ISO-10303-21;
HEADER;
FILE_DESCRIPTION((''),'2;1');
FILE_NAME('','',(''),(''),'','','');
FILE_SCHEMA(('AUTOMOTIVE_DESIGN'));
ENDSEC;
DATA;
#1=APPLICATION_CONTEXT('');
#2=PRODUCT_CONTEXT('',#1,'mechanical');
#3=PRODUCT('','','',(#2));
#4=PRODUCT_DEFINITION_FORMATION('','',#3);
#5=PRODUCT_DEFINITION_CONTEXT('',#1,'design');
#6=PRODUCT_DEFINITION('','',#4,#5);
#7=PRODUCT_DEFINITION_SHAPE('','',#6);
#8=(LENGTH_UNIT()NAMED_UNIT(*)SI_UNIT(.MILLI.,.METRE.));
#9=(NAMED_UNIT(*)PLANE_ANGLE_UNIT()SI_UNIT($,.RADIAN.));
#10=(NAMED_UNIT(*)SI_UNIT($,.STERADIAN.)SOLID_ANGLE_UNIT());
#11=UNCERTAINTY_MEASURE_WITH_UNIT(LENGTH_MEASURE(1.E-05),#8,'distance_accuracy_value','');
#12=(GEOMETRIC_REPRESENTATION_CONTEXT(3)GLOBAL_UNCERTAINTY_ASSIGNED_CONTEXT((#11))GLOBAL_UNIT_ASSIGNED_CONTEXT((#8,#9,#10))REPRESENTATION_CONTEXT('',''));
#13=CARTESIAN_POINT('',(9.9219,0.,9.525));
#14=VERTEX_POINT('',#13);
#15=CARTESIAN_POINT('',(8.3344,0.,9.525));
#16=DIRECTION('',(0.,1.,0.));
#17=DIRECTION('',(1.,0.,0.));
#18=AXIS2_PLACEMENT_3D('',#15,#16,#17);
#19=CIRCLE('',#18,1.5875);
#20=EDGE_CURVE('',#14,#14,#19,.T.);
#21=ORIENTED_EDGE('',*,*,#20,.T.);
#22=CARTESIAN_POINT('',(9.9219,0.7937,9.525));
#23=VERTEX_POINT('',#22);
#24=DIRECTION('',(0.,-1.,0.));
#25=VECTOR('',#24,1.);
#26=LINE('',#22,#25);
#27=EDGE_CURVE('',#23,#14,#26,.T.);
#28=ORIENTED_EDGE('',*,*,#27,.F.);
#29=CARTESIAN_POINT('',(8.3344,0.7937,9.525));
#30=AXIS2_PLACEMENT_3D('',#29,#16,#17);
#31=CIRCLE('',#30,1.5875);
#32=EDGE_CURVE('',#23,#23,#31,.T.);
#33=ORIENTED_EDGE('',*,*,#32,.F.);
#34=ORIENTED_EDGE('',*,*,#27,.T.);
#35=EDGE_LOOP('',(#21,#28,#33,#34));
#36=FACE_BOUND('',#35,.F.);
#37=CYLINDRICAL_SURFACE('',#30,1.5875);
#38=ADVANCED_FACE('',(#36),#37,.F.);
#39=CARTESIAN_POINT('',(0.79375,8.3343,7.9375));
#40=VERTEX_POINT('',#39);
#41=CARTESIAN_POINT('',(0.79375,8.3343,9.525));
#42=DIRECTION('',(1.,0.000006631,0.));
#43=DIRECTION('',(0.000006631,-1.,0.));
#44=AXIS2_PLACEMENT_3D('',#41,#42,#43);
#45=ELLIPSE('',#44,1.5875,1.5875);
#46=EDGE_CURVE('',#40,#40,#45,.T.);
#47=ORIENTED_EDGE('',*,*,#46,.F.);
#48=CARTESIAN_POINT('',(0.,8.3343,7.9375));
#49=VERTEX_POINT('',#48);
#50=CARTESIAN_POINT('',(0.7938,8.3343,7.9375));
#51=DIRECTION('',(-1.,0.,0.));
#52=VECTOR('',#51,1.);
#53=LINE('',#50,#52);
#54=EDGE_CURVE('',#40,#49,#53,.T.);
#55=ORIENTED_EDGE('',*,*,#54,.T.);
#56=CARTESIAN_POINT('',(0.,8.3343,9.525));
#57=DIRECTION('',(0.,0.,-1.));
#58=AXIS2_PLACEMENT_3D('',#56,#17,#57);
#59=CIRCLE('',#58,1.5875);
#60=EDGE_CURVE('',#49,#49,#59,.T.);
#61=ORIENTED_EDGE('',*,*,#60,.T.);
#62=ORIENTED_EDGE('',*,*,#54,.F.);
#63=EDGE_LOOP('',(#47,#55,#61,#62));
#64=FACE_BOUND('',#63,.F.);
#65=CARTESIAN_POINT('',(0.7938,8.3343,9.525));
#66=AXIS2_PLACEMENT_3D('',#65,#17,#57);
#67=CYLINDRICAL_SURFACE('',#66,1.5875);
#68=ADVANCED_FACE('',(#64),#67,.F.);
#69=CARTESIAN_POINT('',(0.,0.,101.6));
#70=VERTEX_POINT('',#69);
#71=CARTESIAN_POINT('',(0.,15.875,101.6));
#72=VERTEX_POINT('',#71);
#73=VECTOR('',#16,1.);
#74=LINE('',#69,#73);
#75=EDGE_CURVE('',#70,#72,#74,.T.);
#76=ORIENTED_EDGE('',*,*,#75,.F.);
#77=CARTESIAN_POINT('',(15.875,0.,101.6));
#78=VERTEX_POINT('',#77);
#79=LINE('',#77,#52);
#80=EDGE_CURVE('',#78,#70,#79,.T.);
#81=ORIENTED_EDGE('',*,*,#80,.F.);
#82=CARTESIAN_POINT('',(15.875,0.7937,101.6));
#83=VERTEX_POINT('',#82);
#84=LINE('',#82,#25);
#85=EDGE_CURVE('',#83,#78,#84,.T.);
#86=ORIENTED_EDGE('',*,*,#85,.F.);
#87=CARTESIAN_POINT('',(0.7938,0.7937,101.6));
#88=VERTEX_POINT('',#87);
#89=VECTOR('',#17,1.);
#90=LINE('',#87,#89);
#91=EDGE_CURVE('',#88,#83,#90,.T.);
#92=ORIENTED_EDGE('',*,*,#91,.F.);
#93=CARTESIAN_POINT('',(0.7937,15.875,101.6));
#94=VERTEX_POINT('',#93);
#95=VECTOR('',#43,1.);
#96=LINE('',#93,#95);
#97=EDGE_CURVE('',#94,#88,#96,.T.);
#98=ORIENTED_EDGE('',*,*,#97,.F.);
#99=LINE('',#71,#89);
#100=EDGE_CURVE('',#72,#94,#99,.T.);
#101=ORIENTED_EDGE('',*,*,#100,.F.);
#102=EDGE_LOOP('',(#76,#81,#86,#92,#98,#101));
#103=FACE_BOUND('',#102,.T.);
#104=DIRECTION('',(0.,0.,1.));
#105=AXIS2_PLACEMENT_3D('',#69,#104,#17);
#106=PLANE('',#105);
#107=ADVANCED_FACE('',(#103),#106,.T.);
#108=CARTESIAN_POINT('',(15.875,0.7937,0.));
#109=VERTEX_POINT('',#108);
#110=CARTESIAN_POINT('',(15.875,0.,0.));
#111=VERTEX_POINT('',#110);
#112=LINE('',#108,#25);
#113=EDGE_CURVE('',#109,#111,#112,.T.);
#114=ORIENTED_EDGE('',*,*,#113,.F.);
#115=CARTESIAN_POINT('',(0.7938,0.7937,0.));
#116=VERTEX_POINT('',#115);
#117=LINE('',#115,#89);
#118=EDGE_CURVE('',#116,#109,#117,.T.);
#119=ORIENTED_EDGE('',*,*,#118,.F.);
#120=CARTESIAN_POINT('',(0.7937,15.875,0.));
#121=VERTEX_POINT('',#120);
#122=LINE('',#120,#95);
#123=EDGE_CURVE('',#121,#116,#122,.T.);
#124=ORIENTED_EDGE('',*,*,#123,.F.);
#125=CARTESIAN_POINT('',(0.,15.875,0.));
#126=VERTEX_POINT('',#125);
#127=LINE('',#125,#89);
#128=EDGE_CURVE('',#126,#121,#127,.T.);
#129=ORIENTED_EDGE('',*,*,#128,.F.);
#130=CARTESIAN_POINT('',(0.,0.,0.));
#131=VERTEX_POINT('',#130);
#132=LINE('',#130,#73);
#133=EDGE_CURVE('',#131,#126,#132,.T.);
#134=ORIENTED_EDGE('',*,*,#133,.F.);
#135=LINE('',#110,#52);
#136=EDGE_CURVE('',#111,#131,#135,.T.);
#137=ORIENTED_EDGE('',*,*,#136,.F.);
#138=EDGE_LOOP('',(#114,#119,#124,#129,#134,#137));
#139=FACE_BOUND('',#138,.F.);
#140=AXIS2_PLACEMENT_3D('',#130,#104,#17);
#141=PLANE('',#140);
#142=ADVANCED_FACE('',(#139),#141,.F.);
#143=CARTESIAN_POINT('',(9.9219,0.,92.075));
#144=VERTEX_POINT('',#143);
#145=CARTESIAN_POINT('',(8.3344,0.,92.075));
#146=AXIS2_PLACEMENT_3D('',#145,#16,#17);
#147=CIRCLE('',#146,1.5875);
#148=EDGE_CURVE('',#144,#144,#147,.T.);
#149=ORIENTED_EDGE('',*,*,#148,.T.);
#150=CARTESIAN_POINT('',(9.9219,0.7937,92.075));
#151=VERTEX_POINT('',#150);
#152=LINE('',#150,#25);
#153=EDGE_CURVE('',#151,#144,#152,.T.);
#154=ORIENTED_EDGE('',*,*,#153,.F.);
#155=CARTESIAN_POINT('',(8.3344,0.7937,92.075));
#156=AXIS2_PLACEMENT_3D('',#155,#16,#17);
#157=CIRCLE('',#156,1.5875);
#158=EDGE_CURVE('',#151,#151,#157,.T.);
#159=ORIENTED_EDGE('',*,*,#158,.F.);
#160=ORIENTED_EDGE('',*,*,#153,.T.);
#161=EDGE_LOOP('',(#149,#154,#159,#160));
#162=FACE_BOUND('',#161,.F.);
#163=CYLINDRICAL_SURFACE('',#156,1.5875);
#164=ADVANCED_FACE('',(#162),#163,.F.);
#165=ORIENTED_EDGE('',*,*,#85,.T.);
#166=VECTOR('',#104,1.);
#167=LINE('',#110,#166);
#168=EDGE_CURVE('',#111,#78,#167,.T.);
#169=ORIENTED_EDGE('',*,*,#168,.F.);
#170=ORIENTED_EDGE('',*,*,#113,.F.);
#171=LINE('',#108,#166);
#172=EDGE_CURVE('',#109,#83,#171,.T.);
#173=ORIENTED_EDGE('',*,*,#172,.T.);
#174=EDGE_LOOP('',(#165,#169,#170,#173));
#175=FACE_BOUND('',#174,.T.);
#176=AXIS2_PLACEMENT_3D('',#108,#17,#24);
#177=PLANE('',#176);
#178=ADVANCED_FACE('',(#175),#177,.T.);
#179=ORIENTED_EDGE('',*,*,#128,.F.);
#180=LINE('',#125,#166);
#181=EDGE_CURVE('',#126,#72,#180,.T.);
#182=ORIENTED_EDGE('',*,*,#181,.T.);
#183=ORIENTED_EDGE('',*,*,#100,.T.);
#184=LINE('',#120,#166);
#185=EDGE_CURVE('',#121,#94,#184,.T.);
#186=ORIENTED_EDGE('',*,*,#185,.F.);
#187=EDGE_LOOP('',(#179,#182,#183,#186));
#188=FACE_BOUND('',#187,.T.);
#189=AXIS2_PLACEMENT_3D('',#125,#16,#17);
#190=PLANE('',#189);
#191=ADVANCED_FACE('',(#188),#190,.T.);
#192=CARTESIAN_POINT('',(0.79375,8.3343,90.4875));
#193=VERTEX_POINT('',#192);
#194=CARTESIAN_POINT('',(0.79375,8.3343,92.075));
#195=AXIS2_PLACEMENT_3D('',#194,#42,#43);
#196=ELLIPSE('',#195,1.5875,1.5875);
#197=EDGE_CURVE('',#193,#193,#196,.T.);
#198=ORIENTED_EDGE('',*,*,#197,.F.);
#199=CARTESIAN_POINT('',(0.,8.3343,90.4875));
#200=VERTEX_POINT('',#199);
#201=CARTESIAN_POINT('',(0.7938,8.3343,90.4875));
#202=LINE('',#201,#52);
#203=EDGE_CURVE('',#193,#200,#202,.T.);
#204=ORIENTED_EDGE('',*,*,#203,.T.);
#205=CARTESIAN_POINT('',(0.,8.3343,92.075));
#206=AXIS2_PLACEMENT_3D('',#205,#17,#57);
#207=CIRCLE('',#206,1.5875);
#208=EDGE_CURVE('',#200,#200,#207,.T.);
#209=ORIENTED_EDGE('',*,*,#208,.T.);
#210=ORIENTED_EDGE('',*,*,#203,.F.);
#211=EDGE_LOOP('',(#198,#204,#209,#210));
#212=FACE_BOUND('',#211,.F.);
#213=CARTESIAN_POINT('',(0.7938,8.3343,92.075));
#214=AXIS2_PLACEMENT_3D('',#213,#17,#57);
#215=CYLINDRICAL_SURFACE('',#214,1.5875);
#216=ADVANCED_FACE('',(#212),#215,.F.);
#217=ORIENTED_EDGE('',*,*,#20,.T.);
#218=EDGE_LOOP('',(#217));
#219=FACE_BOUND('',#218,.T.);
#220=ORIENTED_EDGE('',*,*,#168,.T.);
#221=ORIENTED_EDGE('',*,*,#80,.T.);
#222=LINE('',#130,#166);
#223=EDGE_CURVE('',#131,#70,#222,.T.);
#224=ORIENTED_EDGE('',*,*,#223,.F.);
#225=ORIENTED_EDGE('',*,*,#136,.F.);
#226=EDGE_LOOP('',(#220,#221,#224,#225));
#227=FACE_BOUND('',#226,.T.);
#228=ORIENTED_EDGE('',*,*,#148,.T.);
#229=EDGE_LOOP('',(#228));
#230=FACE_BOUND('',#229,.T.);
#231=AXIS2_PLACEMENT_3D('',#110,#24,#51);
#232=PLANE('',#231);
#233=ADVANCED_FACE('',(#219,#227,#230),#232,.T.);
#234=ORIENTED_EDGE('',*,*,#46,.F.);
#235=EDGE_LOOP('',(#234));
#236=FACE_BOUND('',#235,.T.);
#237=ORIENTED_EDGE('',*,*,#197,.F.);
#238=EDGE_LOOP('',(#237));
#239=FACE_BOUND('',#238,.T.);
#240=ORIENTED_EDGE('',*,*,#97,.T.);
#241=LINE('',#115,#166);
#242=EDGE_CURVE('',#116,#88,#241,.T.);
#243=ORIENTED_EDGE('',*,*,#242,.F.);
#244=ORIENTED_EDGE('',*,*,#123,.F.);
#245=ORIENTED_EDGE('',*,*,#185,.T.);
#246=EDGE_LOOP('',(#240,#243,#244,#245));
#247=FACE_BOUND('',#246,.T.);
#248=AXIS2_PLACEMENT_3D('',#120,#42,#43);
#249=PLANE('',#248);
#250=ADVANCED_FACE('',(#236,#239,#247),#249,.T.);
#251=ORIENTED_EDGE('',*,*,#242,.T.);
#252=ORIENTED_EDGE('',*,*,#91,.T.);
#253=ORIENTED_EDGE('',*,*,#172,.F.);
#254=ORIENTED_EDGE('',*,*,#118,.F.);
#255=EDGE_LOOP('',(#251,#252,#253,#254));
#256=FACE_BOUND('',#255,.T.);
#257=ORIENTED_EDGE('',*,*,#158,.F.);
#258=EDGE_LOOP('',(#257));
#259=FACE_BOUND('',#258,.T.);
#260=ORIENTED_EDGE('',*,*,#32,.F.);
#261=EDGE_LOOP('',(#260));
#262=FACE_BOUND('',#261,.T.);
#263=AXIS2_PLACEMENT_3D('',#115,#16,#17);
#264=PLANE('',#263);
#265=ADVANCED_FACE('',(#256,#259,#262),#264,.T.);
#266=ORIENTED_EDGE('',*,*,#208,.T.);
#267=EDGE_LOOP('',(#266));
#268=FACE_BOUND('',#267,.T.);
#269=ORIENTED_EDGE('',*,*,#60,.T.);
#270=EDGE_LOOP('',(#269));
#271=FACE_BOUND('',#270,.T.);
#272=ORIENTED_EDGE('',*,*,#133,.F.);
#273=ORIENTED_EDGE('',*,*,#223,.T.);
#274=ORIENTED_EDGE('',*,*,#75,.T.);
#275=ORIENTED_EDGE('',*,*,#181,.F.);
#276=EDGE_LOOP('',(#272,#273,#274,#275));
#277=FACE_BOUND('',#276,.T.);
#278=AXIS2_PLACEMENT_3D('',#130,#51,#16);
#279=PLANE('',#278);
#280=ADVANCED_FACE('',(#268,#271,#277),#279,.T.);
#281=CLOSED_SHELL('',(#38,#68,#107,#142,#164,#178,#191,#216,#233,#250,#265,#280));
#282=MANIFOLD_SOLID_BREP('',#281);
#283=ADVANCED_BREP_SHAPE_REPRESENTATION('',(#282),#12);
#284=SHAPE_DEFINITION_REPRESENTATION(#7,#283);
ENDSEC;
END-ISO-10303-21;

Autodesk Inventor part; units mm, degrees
ref_plane "YZ Plane" through (0, 0, 0) normal (1, 0, 0) x (0, 1, 0)
ref_plane "XZ Plane" through (0, 0, 0) normal (0, 1, 0) x (-1, 0, 0)
ref_plane "XY Plane" through (0, 0, 0) normal (0, 0, 1) x (1, 0, 0)
sketch "Sketch1" plane through (0, 0, 0) normal (0, 0, 1) x (1, 0, 0)
  line L0 (0, 0) -> (0, 15.875)
  line L1 (0, 15.875) -> (0.7937, 15.875)
  line L2 (0.7937, 15.875) -> (0.7938, 0.7937)
  line L3 (0.7938, 0.7937) -> (15.875, 0.7937)
  line L4 (15.875, 0.7937) -> (15.875, 0)
  line L5 (15.875, 0) -> (0, 0)
  dimension "d0" = 15.875
  dimension "d1" = 0.7937
extrude "Extrusion1" add sketch "Sketch1" along normal blind 101.6
sketch "Sketch2" plane through (0.7938, 0.7937, 0) normal (0, 1, 0) x (1, 0, 0)
  line L0 (0, 0) -> (15.0812, 0) projected
  line L1 (15.0812, -101.6) -> (0, -101.6) projected
  line L2 (7.5406, 0) -> (7.5406, -101.6) construction
  circle A0 centre (7.5406, -9.525) radius 1.5875
  circle A1 centre (7.5406, -92.075) radius 1.5875
  point P0 (-0.7938, 0)
  dimension "d4" = 9.525
  dimension "d5" = 3.175
  dimension "d6" = 101.6
  dimension "d9" = 82.55
sketch "Sketch3" plane through (0.7938, 0.7937, 0) normal (1, 0, 0) x (0, 0, -1)
  line L0 (0, 15.0812) -> (0, 0) projected
  line L1 (-101.6, 0) -> (-101.6, 15.0812) projected
  line L2 (-101.6, 7.5406) -> (0, 7.5406) construction
  circle A0 centre (-9.525, 7.5406) radius 1.5875
  circle A1 centre (-92.075, 7.5406) radius 1.5875
  point P0 (0, -0.7937)
  dimension "d14" = 3.175
  dimension "d15" = 9.525
  dimension "d16" = 101.6
  dimension "d19" = 82.55
extrude "Extrusion2" cut sketch "Sketch2" against normal through all
extrude "Extrusion3" cut sketch "Sketch3" against normal through all
properties part number "Hopper Bracing Front Right P7" material "Aluminum 6061"
